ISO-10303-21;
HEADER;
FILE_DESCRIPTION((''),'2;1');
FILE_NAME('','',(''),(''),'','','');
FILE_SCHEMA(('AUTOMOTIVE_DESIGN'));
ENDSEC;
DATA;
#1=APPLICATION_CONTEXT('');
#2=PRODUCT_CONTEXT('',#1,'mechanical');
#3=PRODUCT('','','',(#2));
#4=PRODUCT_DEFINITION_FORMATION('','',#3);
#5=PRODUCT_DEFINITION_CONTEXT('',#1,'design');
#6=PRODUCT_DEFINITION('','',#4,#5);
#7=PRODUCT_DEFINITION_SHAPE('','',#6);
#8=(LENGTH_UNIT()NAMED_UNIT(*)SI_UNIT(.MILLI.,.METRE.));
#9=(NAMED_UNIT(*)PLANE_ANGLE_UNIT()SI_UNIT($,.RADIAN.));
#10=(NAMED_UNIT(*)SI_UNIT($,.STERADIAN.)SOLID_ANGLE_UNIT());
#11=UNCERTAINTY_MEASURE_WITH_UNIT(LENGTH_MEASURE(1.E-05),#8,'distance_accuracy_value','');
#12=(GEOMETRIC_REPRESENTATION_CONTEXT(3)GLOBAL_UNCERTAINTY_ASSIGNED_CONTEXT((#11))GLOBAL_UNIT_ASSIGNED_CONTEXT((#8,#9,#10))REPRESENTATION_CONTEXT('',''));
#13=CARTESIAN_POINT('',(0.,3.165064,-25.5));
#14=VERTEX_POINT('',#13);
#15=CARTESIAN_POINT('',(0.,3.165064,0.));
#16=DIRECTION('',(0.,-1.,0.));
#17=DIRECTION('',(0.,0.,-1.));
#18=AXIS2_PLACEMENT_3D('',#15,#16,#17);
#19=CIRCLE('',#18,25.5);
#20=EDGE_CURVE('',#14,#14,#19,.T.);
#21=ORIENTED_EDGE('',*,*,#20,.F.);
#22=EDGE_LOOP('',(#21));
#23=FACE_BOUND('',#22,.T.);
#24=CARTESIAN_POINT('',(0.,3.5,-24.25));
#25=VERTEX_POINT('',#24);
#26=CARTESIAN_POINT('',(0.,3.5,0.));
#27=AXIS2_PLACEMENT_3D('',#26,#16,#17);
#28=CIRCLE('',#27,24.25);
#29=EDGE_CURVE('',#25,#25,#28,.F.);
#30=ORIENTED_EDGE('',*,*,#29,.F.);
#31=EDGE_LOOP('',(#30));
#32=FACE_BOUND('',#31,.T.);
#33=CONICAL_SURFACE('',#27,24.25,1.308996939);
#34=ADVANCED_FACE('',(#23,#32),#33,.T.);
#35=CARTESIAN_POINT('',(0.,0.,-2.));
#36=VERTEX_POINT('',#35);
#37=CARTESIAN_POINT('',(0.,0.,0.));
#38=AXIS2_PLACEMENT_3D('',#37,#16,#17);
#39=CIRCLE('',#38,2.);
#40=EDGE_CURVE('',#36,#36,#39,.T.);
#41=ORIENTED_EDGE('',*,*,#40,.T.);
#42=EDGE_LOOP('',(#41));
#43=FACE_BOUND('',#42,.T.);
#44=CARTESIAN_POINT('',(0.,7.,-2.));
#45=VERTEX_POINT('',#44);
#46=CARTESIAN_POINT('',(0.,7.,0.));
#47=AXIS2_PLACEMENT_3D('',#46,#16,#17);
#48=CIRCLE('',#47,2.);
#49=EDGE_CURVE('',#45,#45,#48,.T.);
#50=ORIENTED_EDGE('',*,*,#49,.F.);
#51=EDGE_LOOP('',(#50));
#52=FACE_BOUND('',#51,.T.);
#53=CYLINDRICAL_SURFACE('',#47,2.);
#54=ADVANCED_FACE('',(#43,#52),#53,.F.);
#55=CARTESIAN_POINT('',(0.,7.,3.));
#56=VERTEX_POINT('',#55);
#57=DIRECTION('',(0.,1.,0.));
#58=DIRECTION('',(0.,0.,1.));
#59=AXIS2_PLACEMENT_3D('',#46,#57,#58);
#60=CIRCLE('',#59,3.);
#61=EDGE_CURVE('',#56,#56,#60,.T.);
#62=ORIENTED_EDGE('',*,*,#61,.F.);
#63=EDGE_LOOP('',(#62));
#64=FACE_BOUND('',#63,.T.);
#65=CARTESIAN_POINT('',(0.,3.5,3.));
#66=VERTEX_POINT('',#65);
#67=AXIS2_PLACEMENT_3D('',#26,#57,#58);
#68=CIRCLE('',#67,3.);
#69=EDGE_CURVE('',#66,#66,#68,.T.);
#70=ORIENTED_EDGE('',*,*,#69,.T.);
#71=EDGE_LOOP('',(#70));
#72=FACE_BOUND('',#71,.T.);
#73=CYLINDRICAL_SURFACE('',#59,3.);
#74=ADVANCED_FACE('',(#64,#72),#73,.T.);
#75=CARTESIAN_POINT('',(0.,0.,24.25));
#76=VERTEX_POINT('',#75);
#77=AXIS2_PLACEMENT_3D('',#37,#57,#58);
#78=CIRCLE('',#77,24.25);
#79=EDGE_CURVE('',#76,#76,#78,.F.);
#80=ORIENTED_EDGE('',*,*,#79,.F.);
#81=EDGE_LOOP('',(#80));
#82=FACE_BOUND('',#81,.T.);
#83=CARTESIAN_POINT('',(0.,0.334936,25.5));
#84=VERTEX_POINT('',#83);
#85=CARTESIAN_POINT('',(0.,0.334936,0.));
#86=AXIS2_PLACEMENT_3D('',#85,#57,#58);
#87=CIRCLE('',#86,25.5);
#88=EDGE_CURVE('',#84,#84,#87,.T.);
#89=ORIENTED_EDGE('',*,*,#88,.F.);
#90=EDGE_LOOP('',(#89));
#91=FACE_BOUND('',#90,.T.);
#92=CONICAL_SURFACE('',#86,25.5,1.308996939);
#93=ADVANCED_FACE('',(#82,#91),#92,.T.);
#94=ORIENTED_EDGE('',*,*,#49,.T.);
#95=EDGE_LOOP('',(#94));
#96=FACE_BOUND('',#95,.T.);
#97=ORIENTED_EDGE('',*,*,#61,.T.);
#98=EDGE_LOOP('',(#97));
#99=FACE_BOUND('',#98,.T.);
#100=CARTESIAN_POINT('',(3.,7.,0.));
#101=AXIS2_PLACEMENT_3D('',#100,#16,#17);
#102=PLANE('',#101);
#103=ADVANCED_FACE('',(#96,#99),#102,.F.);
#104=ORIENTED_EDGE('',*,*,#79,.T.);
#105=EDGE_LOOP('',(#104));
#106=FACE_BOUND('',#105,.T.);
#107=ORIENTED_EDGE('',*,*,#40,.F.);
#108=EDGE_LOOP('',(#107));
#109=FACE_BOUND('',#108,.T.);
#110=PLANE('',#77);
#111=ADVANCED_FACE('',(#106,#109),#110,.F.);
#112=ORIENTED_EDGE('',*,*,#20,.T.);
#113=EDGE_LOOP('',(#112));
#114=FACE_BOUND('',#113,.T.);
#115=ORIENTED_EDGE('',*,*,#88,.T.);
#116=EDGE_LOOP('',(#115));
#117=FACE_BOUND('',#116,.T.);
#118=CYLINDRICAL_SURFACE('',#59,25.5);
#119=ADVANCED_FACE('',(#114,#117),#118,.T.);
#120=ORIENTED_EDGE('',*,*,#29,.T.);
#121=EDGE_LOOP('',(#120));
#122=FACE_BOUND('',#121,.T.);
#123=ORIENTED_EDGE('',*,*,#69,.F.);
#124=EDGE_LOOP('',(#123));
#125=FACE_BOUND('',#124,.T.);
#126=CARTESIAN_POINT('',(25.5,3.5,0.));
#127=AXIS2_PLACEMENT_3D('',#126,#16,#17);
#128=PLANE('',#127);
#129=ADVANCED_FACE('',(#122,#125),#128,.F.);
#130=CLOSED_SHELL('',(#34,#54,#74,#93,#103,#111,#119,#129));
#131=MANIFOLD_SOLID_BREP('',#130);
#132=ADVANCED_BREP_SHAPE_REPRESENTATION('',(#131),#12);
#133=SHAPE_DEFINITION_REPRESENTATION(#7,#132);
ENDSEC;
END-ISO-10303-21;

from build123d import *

# Parameters (mm, degrees)
CHAMFER_1_SIZE           = 1.25
CHAMFER_1_SIZE2          = 0.334936491
SKETCH_2_R               = 2
CUT_EXTRUDE_3_DEPTH      = 1
CUT_EXTRUDE_3_DEPTH_BACK = 8
CHAMFER_2_SIZE           = 1.25
CHAMFER_2_SIZE2          = 0.334936491


with BuildPart() as part:
    # Эскиз1 → Повернуть2 (revolve)
    with BuildSketch(Plane.XY):
        Polygon((0, 0), (25.5, 0), (25.5, 3.5), (3, 3.5), (3, 7), (0, 7), align=None)
    revolve(axis=Axis((0, 7, 0), (0, -1, 0)))

    # Фаска1
    chamfer_1_edges = [part.edges().sort_by_distance(p)[0] for p in [
        (-25.5, 3.5, 0),
    ]]
    chamfer_1_side = [part.faces().sort_by_distance(p)[0] for p in [
        (-24.778751083, 3.5, 0),
    ]]
    chamfer(chamfer_1_edges, length=CHAMFER_1_SIZE, length2=CHAMFER_1_SIZE2, reference=chamfer_1_side[0])

    # Эскиз2 → Вырез-Вытянуть3 (cut, two sides)
    with BuildSketch(Plane(origin=(0, 0, 0), x_dir=(-1, 0, 0), z_dir=(0, -1, 0))) as cut_extrude_3_sk:
        Circle(SKETCH_2_R)
    extrude(amount=CUT_EXTRUDE_3_DEPTH, mode=Mode.SUBTRACT)
    extrude(cut_extrude_3_sk.sketch, amount=-CUT_EXTRUDE_3_DEPTH_BACK, mode=Mode.SUBTRACT)

    # Фаска2
    chamfer_2_edges = [part.edges().sort_by_distance(p)[0] for p in [
        (-25.5, 0, 0),
    ]]
    chamfer_2_side = [part.faces().sort_by_distance(p)[0] for p in [
        (-24.778751083, 0, 0),
    ]]
    chamfer(chamfer_2_edges, length=CHAMFER_2_SIZE, length2=CHAMFER_2_SIZE2, reference=chamfer_2_side[0])


solid = part.part
